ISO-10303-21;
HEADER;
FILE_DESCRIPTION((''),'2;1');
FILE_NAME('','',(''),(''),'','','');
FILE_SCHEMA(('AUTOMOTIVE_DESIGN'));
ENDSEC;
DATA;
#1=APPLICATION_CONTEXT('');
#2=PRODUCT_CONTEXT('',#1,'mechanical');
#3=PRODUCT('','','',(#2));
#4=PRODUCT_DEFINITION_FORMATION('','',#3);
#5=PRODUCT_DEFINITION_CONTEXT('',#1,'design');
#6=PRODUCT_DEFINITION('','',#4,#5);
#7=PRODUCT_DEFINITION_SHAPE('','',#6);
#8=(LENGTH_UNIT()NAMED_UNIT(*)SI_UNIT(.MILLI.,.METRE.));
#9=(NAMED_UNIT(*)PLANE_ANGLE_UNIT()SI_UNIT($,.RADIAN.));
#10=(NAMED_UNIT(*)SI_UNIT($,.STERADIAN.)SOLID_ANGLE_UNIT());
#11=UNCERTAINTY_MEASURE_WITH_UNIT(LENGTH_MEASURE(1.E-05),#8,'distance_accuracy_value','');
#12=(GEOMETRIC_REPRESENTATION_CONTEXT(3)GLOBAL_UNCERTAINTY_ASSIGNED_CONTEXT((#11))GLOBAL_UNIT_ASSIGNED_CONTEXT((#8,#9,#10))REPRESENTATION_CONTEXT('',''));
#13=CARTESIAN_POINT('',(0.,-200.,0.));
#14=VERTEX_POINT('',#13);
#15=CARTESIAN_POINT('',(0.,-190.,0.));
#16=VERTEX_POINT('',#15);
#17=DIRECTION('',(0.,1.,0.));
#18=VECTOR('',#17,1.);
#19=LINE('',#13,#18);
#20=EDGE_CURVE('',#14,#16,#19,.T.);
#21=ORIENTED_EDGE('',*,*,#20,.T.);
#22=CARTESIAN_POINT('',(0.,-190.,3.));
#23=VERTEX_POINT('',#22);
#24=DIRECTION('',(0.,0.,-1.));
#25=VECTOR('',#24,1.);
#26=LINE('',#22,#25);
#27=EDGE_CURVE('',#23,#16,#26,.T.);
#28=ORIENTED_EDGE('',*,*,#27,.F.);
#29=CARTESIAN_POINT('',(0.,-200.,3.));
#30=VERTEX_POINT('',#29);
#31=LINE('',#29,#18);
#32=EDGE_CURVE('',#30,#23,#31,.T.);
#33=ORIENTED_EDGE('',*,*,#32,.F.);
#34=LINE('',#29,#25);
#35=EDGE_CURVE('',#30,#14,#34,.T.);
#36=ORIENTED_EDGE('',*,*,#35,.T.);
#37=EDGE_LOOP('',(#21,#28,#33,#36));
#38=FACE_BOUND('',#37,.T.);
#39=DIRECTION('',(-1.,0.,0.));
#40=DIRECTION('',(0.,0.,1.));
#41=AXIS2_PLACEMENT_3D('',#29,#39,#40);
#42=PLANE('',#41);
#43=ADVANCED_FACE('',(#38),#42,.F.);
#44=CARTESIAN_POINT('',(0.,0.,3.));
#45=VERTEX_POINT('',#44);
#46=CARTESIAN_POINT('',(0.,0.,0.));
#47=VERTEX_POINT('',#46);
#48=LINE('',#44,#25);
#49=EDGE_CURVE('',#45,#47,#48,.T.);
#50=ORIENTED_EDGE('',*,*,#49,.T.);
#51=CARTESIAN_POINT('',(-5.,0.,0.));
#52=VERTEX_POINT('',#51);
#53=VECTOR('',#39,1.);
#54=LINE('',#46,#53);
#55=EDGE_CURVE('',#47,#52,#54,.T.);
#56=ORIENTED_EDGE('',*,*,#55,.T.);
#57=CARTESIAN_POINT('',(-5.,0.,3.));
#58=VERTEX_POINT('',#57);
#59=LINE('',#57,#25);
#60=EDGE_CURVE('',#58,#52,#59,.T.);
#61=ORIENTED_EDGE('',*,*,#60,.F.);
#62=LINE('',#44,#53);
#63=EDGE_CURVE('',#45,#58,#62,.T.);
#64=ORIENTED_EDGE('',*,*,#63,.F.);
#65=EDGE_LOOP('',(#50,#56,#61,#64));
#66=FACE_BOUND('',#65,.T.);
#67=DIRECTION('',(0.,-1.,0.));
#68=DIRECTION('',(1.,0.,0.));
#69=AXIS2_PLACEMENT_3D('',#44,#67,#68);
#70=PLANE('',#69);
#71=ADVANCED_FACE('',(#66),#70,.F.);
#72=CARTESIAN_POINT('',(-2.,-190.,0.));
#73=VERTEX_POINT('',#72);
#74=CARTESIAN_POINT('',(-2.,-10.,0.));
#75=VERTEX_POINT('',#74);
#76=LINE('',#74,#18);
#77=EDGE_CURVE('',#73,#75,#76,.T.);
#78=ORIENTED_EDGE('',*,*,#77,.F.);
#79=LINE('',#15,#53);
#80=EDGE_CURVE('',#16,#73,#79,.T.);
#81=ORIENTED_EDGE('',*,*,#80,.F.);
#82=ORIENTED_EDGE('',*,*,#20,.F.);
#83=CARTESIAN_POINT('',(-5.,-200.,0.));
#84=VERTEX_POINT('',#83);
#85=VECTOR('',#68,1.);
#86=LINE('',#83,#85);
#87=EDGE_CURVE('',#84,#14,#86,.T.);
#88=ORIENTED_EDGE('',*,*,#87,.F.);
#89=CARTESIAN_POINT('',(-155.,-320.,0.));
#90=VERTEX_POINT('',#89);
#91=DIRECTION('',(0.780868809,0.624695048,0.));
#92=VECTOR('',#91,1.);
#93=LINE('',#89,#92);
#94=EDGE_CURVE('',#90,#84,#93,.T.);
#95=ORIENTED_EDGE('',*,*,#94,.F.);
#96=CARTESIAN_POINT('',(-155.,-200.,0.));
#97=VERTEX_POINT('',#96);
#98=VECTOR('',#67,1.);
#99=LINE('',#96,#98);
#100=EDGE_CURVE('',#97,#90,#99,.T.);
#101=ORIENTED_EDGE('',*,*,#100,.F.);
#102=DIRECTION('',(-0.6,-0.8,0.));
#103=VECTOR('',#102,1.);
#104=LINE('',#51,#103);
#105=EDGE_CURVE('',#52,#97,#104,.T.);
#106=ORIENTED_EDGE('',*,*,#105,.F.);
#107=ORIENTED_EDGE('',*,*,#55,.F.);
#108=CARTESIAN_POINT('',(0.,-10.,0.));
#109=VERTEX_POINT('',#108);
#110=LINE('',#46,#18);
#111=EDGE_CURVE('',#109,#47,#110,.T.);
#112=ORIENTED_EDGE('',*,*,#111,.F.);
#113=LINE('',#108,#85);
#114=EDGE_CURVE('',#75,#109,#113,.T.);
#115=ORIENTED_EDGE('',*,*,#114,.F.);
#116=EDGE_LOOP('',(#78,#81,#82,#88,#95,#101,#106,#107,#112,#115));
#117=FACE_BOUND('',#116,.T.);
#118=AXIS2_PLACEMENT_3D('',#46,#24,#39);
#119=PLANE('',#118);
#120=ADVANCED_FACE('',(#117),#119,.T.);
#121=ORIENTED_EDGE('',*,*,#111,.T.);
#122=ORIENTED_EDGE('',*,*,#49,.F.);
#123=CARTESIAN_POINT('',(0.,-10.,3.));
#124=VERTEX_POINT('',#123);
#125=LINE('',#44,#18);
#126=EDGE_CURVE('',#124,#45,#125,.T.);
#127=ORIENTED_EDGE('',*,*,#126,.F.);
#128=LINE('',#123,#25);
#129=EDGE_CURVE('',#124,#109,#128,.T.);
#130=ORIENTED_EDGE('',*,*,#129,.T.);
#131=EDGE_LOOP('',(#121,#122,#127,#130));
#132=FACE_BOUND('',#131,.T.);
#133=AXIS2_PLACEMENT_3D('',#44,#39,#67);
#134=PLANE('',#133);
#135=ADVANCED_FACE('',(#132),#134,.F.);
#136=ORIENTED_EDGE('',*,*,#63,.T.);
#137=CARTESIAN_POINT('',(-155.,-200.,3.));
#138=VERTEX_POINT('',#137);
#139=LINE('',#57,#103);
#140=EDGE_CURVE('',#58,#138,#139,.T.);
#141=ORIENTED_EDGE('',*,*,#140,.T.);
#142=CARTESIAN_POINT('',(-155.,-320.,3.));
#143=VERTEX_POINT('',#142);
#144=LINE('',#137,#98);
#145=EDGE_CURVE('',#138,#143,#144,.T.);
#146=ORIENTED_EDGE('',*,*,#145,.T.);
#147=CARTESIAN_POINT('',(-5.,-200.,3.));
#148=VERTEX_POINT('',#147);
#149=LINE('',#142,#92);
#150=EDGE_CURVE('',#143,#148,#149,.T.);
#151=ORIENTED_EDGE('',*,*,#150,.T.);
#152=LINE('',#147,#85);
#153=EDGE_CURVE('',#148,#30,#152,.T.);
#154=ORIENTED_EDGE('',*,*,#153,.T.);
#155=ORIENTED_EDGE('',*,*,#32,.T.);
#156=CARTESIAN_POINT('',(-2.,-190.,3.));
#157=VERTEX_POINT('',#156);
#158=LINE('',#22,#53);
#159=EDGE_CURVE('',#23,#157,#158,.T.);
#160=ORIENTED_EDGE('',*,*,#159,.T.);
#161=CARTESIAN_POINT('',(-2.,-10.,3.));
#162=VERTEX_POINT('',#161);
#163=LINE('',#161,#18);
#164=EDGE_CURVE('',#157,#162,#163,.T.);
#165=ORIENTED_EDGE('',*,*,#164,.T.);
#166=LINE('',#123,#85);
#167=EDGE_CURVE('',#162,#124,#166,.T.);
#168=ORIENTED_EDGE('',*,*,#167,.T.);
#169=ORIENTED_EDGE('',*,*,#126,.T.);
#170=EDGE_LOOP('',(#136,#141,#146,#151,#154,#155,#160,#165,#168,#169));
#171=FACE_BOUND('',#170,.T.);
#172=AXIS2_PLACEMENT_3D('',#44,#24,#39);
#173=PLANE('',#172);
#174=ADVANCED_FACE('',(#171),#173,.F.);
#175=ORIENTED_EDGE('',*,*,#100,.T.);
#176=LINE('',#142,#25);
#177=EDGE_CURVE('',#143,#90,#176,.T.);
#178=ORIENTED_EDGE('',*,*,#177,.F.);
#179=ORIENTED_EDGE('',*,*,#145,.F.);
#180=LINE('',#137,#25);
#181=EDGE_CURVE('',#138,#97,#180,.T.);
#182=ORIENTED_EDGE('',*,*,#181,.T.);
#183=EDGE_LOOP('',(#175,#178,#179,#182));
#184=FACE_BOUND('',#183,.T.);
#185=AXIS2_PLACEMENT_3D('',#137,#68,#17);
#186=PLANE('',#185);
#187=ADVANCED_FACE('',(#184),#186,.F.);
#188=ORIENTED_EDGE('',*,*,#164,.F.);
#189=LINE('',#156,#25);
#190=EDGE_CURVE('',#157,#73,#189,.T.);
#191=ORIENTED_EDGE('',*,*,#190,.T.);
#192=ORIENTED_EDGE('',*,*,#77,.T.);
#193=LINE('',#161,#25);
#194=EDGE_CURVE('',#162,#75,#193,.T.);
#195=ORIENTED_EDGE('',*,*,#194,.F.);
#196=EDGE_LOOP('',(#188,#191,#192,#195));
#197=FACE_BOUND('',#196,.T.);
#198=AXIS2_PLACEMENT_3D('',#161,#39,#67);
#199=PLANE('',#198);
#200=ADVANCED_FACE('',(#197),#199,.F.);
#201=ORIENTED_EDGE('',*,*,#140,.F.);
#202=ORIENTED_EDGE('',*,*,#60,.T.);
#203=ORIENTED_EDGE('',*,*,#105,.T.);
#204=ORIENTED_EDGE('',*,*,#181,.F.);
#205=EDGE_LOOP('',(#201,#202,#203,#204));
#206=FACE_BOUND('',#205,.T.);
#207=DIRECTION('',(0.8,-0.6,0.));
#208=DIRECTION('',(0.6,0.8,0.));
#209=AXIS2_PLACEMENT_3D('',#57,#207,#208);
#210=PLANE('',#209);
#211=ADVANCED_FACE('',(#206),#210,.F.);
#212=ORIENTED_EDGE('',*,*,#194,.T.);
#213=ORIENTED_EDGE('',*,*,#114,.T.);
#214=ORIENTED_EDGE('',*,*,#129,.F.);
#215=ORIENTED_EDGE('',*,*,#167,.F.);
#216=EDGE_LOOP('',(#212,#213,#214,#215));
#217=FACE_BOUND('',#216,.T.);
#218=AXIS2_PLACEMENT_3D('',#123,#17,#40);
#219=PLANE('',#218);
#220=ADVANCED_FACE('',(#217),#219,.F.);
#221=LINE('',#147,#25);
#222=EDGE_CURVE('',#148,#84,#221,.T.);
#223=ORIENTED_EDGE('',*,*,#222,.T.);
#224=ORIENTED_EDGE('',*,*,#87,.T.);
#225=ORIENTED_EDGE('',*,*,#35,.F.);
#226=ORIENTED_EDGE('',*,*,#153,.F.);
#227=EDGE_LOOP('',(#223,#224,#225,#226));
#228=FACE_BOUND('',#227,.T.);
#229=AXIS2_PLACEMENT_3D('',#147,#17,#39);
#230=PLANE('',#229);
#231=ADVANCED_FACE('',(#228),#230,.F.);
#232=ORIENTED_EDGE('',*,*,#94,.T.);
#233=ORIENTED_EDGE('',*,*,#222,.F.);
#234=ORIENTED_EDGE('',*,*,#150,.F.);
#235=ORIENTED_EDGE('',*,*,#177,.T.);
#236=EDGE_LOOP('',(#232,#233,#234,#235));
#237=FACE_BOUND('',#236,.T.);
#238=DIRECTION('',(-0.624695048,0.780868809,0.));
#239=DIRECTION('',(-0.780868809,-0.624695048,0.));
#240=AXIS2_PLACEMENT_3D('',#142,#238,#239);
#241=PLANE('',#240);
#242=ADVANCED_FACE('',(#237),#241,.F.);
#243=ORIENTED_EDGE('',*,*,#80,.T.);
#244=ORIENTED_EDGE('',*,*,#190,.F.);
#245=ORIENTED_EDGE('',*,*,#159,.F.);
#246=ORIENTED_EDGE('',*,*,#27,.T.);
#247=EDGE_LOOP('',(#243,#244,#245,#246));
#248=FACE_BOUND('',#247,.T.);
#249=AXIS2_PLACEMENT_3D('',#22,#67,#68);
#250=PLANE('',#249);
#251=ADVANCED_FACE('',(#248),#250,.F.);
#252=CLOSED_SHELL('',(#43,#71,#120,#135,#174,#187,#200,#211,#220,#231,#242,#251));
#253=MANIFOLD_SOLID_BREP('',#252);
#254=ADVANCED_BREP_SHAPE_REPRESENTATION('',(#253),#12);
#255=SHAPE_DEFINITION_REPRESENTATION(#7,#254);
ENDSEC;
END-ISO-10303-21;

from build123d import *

# Parameters (mm, degrees)
BOSS_EXTRU_1_DEPTH = 3


with BuildPart() as part:
    # Esquisse1 → Boss.-Extru.1 (new body)
    with BuildSketch(Plane.XY):
        Polygon((0, 0), (-5, 0), (-155, -200), (-155, -320), (-5, -200), (0, -200), (0, -190), (-2, -190), (-2, -10), (0, -10), align=None)
    extrude(amount=BOSS_EXTRU_1_DEPTH)


solid = part.part
